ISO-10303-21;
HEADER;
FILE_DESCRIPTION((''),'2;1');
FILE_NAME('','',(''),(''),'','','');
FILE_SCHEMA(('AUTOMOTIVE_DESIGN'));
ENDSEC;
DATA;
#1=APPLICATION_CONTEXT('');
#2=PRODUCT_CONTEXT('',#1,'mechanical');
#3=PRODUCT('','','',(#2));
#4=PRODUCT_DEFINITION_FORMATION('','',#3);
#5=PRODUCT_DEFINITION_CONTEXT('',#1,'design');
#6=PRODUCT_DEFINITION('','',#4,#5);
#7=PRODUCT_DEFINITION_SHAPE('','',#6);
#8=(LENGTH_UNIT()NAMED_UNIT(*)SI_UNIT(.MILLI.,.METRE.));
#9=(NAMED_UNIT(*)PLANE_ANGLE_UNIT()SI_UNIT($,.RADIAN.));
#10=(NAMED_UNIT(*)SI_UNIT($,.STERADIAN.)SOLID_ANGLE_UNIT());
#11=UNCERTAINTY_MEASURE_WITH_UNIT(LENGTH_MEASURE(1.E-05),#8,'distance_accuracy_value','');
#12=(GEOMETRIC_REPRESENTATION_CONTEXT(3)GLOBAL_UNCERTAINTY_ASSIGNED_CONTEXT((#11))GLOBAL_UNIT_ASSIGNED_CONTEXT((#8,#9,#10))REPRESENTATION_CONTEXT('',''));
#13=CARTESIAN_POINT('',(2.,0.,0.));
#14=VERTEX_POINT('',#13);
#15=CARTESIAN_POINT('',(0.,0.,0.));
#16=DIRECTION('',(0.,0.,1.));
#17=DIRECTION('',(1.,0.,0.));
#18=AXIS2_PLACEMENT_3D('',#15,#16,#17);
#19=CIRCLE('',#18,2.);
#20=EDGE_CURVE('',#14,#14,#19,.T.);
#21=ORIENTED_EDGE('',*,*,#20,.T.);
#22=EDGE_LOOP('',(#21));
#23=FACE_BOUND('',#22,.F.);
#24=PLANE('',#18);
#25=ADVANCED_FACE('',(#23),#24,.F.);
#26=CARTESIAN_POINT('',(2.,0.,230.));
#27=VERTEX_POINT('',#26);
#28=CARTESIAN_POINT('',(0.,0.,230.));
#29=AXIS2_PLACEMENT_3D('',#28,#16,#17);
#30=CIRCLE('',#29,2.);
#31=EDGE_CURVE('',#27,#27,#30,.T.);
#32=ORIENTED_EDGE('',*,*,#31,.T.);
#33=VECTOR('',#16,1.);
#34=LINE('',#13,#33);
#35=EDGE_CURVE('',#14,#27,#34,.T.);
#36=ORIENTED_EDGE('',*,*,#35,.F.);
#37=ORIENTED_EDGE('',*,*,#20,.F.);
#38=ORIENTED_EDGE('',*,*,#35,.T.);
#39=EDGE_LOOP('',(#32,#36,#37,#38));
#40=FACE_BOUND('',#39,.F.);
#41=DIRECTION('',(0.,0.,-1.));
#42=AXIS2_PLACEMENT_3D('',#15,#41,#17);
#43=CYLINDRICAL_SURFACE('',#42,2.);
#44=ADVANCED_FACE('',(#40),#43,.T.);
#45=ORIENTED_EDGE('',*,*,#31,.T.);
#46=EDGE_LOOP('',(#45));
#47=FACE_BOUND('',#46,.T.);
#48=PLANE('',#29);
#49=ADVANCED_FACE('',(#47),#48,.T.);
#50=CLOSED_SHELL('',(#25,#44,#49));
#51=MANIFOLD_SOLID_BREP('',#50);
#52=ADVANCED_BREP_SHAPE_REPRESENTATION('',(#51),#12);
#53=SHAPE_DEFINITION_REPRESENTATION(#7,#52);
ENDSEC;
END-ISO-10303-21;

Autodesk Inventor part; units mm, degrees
ref_plane "YZ Plane" through (0, 0, 0) normal (1, 0, 0) x (0, 1, 0)
ref_plane "XZ Plane" through (0, 0, 0) normal (0, 1, 0) x (-1, 0, 0)
ref_plane "XY Plane" through (0, 0, 0) normal (0, 0, 1) x (1, 0, 0)
sketch "Эскиз1" plane through (0, 0, 0) normal (0, 0, 1) x (1, 0, 0)
  circle A0 centre (0, 0) radius 2
  dimension "d0" = 4
extrude "Выдавливание1" add sketch "Эскиз1" along normal blind 230
thread "Резьба1" size "M4x0.7" class "6g" standard "ANSI Metric M Profile" full length
properties part number "ось пушки" material "Железо, ковкое"
